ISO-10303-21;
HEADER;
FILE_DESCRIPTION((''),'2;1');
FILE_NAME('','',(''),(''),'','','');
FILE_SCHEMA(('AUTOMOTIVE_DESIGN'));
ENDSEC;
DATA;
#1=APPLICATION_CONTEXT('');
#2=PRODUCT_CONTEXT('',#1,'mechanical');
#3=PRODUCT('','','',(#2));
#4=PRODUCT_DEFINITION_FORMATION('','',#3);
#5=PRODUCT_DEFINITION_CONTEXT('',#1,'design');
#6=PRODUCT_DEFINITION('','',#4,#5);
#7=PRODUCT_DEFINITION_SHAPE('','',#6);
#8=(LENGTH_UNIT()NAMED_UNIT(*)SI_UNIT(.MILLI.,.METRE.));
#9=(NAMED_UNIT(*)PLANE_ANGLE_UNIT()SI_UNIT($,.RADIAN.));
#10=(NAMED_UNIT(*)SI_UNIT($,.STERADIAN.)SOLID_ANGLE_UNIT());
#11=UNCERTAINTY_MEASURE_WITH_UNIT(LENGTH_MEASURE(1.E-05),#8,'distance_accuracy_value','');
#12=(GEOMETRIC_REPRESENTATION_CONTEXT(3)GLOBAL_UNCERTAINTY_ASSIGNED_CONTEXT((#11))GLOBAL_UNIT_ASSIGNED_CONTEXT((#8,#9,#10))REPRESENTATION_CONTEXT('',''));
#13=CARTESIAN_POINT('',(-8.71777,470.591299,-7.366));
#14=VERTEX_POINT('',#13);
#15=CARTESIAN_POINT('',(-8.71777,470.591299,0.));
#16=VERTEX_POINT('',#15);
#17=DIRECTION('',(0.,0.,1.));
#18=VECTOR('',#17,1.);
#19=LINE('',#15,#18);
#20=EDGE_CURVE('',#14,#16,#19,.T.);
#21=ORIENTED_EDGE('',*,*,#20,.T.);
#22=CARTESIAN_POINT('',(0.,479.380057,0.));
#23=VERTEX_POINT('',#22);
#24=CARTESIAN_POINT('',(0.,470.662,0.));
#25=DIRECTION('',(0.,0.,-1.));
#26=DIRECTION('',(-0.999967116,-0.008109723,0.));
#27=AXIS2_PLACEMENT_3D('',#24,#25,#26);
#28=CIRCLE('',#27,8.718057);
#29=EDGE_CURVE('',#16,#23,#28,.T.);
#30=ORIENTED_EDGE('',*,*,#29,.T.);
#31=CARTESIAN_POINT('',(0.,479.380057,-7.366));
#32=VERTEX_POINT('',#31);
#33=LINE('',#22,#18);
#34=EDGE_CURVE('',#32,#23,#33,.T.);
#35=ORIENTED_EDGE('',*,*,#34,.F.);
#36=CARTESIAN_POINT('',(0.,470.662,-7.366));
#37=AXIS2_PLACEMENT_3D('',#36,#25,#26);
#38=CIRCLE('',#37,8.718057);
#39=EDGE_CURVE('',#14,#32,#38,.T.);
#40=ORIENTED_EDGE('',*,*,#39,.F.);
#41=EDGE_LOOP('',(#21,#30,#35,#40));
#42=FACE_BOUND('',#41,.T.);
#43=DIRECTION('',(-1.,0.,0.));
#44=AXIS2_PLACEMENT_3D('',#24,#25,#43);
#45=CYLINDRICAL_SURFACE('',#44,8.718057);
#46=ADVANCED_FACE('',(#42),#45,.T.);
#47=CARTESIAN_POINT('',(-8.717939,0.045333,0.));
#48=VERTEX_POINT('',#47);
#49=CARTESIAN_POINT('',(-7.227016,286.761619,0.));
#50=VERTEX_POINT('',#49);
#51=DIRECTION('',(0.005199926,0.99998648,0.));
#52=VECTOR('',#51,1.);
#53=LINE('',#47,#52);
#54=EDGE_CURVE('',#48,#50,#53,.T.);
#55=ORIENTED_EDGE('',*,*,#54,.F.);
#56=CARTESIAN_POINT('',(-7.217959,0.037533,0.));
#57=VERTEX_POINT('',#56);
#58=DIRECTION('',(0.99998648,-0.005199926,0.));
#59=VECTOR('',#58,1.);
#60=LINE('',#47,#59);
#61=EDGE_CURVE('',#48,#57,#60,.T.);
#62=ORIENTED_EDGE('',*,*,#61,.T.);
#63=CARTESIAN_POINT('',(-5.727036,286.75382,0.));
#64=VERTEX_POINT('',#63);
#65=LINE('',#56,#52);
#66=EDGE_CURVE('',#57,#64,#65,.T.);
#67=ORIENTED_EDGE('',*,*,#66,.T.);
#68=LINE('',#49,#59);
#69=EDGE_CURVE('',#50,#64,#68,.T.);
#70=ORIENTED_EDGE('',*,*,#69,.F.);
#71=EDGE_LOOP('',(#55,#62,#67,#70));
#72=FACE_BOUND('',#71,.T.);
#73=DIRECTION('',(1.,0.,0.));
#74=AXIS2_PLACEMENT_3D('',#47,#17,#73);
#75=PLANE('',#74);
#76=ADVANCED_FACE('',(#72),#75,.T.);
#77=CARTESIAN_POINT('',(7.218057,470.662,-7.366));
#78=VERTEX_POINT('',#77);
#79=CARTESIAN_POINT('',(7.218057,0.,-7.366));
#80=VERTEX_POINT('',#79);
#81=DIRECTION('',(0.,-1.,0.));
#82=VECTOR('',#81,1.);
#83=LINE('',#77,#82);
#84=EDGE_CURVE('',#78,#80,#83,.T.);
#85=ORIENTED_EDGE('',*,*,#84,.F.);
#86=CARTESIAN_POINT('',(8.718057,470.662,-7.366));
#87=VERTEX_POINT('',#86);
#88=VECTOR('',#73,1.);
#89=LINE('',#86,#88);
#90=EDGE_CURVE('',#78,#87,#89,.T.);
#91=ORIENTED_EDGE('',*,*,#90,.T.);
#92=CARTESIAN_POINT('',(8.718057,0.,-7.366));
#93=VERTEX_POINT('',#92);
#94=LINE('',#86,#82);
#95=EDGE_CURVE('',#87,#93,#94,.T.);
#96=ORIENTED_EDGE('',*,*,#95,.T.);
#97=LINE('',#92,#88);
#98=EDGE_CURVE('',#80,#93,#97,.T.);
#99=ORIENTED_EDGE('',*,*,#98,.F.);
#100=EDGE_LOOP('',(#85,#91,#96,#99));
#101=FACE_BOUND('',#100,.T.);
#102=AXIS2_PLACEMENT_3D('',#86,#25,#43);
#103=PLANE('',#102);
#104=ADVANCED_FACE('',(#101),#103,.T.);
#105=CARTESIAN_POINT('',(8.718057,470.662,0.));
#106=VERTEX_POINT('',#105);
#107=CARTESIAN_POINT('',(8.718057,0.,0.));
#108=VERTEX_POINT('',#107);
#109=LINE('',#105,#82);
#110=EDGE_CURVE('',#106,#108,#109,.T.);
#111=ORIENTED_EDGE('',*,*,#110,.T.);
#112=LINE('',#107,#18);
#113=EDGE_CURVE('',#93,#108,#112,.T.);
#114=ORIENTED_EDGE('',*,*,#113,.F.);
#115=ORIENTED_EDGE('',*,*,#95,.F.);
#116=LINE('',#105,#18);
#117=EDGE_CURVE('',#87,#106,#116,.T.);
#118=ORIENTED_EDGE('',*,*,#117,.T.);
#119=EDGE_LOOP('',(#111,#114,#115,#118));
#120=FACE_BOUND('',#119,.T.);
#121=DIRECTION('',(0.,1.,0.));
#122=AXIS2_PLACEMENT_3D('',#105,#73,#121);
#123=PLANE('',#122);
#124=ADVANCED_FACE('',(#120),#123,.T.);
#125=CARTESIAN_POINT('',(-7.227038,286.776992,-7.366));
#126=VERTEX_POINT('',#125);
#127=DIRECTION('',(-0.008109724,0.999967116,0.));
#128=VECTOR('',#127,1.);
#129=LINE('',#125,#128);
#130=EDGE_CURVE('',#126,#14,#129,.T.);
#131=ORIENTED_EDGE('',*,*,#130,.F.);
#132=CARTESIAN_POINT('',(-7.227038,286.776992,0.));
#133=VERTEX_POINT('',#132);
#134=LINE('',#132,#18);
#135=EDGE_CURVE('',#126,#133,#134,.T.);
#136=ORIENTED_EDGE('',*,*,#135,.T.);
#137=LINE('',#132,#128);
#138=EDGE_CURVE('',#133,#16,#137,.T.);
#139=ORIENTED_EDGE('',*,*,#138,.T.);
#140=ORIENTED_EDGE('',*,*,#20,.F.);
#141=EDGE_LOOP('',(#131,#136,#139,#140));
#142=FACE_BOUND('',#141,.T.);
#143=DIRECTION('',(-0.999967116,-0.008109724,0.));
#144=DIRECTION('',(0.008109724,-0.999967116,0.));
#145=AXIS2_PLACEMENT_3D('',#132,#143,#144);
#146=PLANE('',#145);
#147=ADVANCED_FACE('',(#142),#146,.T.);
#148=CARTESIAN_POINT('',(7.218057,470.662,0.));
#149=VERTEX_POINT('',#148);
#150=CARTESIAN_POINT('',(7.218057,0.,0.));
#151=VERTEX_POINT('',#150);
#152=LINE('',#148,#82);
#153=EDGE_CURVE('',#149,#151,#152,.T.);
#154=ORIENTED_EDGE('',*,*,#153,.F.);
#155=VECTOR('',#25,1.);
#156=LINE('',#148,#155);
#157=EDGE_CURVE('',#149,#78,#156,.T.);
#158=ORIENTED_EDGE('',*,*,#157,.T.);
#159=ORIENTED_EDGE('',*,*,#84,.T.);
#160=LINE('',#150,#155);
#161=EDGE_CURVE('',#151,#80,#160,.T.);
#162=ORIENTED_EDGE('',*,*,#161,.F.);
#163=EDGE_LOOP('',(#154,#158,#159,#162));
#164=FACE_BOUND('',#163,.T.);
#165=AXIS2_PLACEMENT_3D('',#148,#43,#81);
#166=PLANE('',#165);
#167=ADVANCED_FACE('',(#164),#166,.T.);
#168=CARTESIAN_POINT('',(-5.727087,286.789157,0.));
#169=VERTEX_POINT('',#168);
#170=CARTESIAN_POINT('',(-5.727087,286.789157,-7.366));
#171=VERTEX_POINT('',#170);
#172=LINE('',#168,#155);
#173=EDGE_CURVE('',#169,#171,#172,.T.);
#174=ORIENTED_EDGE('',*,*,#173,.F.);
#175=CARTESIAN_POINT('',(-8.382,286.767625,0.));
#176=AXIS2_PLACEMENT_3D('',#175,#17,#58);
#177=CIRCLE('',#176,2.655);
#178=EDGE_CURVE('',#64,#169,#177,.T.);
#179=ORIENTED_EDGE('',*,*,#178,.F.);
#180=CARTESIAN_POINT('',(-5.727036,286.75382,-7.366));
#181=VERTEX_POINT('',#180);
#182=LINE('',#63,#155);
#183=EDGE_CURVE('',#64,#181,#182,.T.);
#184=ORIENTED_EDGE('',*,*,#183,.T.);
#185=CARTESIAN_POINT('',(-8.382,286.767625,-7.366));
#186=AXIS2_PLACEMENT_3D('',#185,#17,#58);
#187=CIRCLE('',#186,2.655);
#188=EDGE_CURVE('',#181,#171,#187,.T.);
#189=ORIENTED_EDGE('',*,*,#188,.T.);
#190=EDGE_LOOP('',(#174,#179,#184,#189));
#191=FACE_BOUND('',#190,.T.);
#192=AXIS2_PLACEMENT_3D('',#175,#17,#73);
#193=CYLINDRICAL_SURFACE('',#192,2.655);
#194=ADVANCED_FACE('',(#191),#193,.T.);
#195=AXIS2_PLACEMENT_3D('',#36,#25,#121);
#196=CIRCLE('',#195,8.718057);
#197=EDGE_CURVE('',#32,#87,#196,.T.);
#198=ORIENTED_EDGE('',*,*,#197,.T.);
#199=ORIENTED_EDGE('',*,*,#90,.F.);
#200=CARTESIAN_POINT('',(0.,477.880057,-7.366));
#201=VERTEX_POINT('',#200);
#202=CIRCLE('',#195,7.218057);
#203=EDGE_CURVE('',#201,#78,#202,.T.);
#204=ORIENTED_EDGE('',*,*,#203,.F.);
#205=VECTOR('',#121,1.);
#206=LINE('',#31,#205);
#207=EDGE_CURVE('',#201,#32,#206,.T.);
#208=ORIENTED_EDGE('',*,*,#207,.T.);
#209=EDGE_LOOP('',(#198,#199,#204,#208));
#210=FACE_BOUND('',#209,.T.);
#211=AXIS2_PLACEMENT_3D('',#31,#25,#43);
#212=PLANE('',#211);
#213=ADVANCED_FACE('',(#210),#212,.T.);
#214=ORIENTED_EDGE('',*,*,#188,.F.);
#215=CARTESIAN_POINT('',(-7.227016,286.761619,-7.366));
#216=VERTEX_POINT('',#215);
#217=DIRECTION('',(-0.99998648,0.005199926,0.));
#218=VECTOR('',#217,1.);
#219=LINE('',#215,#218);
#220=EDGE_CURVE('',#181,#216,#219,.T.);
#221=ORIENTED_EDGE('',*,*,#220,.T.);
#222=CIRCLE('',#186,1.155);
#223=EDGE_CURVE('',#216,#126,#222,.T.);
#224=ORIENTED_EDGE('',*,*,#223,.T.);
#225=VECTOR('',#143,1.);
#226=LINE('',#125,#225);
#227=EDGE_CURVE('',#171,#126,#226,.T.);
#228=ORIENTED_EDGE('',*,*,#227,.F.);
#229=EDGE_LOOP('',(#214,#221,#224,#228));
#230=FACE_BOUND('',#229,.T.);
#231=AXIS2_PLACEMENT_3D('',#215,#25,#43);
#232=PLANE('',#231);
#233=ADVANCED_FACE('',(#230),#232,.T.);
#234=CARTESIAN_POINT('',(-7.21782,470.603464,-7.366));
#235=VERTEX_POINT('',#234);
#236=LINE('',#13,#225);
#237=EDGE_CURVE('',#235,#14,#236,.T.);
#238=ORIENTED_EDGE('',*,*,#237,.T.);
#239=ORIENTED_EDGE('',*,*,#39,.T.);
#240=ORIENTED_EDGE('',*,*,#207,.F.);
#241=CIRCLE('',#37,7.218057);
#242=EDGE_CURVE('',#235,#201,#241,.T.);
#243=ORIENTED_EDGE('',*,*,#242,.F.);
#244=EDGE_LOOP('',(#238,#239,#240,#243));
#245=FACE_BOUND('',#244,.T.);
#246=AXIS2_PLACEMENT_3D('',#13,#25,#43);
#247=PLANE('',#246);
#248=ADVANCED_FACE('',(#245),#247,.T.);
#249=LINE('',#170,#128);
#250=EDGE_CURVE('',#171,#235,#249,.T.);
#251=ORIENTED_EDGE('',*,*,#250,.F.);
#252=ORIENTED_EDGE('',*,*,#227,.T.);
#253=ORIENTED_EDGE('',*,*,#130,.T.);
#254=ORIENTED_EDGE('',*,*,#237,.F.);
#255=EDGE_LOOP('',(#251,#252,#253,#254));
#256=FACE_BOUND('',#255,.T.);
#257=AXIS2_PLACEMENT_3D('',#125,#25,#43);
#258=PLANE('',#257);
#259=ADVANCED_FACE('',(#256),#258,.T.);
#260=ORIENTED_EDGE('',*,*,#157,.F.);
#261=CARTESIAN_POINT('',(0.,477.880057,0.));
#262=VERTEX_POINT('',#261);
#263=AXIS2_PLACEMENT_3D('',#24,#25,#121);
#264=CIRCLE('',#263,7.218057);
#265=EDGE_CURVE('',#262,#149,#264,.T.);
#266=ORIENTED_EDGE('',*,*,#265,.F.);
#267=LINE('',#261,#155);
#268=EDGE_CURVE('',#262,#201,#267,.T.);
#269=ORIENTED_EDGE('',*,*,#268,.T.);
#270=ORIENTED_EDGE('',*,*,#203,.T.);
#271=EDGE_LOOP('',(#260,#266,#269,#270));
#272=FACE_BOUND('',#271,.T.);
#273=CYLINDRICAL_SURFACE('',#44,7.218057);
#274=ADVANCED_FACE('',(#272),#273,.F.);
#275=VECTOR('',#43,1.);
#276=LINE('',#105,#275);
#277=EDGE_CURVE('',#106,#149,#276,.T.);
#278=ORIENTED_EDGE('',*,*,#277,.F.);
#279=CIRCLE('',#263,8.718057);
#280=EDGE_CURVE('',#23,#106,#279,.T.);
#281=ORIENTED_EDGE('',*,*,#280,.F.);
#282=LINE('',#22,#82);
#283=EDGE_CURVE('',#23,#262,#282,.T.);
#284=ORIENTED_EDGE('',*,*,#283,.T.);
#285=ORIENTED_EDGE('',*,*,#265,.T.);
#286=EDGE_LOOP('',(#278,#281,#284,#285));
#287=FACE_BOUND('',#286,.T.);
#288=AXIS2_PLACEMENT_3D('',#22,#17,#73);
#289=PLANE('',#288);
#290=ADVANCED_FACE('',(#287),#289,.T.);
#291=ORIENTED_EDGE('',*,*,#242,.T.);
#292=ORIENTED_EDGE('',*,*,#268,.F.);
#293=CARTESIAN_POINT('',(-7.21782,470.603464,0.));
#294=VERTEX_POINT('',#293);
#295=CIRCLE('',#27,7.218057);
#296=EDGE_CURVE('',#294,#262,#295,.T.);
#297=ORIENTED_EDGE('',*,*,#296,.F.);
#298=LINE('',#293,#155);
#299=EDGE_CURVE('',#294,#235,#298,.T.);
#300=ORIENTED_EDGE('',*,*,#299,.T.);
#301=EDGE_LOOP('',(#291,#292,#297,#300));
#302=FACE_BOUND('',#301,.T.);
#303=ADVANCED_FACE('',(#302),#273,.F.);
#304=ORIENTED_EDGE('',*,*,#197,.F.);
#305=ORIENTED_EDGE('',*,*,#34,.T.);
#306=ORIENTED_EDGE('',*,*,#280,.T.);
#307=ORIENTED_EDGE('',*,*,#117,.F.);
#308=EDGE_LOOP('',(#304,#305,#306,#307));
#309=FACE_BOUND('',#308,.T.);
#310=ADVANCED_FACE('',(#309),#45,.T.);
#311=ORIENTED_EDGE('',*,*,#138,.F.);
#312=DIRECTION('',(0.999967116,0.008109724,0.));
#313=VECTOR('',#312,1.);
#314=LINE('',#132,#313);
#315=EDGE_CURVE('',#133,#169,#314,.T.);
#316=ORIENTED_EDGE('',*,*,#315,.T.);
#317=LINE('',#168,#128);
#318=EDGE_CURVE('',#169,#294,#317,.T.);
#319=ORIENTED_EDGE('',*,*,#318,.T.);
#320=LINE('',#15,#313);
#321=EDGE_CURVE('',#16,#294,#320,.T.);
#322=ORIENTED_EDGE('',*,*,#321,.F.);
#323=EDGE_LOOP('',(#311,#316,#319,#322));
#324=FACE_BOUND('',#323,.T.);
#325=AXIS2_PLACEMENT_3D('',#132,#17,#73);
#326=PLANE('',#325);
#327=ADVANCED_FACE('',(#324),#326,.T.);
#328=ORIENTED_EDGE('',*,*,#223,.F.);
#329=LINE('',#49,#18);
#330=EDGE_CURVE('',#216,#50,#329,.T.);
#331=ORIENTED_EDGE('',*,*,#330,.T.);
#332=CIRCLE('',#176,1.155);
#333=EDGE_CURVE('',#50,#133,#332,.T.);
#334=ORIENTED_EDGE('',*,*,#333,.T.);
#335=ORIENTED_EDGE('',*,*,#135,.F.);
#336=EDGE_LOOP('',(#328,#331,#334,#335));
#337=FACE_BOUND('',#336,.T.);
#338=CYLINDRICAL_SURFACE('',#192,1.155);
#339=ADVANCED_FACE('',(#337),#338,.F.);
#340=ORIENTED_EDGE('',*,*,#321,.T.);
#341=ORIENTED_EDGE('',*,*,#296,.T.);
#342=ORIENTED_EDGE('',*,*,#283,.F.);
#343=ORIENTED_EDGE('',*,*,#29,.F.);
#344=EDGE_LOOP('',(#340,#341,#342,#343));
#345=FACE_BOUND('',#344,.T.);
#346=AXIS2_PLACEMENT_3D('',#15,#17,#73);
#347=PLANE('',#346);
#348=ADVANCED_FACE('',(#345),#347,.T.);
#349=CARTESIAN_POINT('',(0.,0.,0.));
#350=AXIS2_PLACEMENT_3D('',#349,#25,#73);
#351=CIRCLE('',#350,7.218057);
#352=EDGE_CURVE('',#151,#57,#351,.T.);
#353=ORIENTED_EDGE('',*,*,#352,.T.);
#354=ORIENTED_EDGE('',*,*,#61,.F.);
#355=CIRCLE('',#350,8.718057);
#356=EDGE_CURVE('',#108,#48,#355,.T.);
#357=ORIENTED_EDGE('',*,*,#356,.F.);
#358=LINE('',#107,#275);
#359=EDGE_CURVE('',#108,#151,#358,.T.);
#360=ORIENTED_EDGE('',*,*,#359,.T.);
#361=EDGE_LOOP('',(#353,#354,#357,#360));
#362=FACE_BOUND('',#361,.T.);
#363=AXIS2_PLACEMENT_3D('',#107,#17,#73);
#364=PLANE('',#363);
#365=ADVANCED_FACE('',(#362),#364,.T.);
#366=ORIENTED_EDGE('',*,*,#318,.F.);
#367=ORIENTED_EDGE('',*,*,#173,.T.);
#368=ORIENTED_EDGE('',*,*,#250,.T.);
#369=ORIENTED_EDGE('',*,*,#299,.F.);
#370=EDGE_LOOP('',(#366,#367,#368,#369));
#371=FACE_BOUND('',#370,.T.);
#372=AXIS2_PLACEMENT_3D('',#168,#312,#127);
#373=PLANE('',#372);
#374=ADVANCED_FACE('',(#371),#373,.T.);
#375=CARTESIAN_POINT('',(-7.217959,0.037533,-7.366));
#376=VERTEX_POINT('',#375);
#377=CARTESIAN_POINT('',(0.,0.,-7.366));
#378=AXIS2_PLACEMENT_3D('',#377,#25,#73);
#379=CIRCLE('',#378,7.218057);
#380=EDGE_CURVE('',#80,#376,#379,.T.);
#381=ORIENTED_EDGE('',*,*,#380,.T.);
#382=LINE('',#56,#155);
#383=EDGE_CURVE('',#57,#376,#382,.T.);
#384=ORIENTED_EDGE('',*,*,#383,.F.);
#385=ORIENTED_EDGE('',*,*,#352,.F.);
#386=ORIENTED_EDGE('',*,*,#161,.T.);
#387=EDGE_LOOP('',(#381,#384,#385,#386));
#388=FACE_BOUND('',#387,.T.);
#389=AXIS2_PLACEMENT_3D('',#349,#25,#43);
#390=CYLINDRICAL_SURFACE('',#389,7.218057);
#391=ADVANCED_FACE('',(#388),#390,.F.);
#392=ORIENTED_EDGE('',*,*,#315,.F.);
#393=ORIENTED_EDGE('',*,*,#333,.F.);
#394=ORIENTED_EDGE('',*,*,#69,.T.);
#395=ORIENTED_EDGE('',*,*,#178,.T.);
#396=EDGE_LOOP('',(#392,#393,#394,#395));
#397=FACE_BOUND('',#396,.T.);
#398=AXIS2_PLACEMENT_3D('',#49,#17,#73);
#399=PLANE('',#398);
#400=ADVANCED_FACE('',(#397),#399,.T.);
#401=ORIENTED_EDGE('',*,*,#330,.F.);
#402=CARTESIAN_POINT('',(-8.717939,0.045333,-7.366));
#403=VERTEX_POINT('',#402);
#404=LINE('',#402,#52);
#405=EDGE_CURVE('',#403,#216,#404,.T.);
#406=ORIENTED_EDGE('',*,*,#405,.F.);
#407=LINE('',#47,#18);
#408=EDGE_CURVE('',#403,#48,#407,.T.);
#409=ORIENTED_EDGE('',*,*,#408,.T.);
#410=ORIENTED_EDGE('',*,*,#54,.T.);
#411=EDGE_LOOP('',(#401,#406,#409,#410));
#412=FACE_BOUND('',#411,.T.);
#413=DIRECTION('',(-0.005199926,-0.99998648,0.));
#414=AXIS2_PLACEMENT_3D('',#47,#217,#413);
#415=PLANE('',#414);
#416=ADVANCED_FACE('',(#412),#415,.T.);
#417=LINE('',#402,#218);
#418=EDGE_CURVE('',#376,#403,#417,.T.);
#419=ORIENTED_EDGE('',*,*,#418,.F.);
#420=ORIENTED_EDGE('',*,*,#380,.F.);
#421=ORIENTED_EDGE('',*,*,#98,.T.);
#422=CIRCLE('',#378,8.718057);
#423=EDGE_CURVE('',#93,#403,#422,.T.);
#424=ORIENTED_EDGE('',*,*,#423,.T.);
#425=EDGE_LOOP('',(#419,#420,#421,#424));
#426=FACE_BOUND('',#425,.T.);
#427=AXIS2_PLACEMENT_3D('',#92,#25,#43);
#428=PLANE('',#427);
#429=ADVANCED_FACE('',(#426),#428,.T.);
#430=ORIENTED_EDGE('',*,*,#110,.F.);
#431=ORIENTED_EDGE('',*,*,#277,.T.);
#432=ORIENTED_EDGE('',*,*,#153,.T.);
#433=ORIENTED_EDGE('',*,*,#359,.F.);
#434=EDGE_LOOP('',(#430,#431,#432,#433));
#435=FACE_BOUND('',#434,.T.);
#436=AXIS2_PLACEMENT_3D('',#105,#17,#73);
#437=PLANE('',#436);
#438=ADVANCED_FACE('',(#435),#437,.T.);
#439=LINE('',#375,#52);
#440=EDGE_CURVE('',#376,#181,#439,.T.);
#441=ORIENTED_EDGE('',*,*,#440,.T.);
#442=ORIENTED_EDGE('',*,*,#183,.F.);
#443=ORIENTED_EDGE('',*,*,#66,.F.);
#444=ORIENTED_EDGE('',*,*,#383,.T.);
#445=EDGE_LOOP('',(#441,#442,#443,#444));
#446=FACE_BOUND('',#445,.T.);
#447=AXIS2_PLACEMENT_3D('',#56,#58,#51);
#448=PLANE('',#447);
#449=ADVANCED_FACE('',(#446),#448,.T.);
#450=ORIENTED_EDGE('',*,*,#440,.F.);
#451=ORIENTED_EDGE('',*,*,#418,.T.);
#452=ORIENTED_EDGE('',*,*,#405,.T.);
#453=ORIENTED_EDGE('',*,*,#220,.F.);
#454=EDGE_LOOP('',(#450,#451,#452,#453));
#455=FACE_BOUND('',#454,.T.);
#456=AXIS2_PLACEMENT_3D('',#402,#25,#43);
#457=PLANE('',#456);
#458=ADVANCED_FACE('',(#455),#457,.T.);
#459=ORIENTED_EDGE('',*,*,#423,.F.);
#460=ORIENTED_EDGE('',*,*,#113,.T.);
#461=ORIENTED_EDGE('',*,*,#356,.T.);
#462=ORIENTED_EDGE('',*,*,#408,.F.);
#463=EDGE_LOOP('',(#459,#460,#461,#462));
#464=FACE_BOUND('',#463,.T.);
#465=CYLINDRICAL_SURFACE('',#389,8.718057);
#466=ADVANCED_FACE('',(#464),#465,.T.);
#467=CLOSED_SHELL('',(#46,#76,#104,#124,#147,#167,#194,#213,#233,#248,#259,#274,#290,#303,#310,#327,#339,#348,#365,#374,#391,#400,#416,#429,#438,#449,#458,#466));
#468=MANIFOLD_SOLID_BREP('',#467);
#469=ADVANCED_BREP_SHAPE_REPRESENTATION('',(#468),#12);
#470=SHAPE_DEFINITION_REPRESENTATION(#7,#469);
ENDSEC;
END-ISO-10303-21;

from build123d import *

# Parameters (mm, degrees)
SKETCH3_W = 7.366
SKETCH3_H = 1.5


with BuildPart() as part:
    # Sweep1: sweep along a path in Sketch2
    with BuildLine(Plane.XY) as sweep1_path:
        Line((-7.217959412, 0.037533359), (-5.727035895, 286.753819557))
        ThreePointArc((-5.727035895, 286.753819557), (-5.72700281, 286.771488203), (-5.727087308, 286.789156677))
        Line((-5.727087308, 286.789156677), (-7.217819637, 470.60346355))
        ThreePointArc((-7.217819637, 470.60346355), (-0.029268466, 477.879997648), (7.218056998, 470.662))
        Line((7.218056998, 470.662), (7.218056998, 0))
        ThreePointArc((7.218056998, 0), (-0.018766743, -7.218032601), (-7.217959412, 0.037533359))
    # Sketch3 → Sweep1 (sweep)
    with BuildSketch(Plane(origin=(0, 0, 0), x_dir=(0, 0, -1), z_dir=(1, 0, 0))):
        with Locations((3.683, 478.630056998)):
            Rectangle(SKETCH3_W, SKETCH3_H)
    sweep(path=sweep1_path.line)


solid = part.part
